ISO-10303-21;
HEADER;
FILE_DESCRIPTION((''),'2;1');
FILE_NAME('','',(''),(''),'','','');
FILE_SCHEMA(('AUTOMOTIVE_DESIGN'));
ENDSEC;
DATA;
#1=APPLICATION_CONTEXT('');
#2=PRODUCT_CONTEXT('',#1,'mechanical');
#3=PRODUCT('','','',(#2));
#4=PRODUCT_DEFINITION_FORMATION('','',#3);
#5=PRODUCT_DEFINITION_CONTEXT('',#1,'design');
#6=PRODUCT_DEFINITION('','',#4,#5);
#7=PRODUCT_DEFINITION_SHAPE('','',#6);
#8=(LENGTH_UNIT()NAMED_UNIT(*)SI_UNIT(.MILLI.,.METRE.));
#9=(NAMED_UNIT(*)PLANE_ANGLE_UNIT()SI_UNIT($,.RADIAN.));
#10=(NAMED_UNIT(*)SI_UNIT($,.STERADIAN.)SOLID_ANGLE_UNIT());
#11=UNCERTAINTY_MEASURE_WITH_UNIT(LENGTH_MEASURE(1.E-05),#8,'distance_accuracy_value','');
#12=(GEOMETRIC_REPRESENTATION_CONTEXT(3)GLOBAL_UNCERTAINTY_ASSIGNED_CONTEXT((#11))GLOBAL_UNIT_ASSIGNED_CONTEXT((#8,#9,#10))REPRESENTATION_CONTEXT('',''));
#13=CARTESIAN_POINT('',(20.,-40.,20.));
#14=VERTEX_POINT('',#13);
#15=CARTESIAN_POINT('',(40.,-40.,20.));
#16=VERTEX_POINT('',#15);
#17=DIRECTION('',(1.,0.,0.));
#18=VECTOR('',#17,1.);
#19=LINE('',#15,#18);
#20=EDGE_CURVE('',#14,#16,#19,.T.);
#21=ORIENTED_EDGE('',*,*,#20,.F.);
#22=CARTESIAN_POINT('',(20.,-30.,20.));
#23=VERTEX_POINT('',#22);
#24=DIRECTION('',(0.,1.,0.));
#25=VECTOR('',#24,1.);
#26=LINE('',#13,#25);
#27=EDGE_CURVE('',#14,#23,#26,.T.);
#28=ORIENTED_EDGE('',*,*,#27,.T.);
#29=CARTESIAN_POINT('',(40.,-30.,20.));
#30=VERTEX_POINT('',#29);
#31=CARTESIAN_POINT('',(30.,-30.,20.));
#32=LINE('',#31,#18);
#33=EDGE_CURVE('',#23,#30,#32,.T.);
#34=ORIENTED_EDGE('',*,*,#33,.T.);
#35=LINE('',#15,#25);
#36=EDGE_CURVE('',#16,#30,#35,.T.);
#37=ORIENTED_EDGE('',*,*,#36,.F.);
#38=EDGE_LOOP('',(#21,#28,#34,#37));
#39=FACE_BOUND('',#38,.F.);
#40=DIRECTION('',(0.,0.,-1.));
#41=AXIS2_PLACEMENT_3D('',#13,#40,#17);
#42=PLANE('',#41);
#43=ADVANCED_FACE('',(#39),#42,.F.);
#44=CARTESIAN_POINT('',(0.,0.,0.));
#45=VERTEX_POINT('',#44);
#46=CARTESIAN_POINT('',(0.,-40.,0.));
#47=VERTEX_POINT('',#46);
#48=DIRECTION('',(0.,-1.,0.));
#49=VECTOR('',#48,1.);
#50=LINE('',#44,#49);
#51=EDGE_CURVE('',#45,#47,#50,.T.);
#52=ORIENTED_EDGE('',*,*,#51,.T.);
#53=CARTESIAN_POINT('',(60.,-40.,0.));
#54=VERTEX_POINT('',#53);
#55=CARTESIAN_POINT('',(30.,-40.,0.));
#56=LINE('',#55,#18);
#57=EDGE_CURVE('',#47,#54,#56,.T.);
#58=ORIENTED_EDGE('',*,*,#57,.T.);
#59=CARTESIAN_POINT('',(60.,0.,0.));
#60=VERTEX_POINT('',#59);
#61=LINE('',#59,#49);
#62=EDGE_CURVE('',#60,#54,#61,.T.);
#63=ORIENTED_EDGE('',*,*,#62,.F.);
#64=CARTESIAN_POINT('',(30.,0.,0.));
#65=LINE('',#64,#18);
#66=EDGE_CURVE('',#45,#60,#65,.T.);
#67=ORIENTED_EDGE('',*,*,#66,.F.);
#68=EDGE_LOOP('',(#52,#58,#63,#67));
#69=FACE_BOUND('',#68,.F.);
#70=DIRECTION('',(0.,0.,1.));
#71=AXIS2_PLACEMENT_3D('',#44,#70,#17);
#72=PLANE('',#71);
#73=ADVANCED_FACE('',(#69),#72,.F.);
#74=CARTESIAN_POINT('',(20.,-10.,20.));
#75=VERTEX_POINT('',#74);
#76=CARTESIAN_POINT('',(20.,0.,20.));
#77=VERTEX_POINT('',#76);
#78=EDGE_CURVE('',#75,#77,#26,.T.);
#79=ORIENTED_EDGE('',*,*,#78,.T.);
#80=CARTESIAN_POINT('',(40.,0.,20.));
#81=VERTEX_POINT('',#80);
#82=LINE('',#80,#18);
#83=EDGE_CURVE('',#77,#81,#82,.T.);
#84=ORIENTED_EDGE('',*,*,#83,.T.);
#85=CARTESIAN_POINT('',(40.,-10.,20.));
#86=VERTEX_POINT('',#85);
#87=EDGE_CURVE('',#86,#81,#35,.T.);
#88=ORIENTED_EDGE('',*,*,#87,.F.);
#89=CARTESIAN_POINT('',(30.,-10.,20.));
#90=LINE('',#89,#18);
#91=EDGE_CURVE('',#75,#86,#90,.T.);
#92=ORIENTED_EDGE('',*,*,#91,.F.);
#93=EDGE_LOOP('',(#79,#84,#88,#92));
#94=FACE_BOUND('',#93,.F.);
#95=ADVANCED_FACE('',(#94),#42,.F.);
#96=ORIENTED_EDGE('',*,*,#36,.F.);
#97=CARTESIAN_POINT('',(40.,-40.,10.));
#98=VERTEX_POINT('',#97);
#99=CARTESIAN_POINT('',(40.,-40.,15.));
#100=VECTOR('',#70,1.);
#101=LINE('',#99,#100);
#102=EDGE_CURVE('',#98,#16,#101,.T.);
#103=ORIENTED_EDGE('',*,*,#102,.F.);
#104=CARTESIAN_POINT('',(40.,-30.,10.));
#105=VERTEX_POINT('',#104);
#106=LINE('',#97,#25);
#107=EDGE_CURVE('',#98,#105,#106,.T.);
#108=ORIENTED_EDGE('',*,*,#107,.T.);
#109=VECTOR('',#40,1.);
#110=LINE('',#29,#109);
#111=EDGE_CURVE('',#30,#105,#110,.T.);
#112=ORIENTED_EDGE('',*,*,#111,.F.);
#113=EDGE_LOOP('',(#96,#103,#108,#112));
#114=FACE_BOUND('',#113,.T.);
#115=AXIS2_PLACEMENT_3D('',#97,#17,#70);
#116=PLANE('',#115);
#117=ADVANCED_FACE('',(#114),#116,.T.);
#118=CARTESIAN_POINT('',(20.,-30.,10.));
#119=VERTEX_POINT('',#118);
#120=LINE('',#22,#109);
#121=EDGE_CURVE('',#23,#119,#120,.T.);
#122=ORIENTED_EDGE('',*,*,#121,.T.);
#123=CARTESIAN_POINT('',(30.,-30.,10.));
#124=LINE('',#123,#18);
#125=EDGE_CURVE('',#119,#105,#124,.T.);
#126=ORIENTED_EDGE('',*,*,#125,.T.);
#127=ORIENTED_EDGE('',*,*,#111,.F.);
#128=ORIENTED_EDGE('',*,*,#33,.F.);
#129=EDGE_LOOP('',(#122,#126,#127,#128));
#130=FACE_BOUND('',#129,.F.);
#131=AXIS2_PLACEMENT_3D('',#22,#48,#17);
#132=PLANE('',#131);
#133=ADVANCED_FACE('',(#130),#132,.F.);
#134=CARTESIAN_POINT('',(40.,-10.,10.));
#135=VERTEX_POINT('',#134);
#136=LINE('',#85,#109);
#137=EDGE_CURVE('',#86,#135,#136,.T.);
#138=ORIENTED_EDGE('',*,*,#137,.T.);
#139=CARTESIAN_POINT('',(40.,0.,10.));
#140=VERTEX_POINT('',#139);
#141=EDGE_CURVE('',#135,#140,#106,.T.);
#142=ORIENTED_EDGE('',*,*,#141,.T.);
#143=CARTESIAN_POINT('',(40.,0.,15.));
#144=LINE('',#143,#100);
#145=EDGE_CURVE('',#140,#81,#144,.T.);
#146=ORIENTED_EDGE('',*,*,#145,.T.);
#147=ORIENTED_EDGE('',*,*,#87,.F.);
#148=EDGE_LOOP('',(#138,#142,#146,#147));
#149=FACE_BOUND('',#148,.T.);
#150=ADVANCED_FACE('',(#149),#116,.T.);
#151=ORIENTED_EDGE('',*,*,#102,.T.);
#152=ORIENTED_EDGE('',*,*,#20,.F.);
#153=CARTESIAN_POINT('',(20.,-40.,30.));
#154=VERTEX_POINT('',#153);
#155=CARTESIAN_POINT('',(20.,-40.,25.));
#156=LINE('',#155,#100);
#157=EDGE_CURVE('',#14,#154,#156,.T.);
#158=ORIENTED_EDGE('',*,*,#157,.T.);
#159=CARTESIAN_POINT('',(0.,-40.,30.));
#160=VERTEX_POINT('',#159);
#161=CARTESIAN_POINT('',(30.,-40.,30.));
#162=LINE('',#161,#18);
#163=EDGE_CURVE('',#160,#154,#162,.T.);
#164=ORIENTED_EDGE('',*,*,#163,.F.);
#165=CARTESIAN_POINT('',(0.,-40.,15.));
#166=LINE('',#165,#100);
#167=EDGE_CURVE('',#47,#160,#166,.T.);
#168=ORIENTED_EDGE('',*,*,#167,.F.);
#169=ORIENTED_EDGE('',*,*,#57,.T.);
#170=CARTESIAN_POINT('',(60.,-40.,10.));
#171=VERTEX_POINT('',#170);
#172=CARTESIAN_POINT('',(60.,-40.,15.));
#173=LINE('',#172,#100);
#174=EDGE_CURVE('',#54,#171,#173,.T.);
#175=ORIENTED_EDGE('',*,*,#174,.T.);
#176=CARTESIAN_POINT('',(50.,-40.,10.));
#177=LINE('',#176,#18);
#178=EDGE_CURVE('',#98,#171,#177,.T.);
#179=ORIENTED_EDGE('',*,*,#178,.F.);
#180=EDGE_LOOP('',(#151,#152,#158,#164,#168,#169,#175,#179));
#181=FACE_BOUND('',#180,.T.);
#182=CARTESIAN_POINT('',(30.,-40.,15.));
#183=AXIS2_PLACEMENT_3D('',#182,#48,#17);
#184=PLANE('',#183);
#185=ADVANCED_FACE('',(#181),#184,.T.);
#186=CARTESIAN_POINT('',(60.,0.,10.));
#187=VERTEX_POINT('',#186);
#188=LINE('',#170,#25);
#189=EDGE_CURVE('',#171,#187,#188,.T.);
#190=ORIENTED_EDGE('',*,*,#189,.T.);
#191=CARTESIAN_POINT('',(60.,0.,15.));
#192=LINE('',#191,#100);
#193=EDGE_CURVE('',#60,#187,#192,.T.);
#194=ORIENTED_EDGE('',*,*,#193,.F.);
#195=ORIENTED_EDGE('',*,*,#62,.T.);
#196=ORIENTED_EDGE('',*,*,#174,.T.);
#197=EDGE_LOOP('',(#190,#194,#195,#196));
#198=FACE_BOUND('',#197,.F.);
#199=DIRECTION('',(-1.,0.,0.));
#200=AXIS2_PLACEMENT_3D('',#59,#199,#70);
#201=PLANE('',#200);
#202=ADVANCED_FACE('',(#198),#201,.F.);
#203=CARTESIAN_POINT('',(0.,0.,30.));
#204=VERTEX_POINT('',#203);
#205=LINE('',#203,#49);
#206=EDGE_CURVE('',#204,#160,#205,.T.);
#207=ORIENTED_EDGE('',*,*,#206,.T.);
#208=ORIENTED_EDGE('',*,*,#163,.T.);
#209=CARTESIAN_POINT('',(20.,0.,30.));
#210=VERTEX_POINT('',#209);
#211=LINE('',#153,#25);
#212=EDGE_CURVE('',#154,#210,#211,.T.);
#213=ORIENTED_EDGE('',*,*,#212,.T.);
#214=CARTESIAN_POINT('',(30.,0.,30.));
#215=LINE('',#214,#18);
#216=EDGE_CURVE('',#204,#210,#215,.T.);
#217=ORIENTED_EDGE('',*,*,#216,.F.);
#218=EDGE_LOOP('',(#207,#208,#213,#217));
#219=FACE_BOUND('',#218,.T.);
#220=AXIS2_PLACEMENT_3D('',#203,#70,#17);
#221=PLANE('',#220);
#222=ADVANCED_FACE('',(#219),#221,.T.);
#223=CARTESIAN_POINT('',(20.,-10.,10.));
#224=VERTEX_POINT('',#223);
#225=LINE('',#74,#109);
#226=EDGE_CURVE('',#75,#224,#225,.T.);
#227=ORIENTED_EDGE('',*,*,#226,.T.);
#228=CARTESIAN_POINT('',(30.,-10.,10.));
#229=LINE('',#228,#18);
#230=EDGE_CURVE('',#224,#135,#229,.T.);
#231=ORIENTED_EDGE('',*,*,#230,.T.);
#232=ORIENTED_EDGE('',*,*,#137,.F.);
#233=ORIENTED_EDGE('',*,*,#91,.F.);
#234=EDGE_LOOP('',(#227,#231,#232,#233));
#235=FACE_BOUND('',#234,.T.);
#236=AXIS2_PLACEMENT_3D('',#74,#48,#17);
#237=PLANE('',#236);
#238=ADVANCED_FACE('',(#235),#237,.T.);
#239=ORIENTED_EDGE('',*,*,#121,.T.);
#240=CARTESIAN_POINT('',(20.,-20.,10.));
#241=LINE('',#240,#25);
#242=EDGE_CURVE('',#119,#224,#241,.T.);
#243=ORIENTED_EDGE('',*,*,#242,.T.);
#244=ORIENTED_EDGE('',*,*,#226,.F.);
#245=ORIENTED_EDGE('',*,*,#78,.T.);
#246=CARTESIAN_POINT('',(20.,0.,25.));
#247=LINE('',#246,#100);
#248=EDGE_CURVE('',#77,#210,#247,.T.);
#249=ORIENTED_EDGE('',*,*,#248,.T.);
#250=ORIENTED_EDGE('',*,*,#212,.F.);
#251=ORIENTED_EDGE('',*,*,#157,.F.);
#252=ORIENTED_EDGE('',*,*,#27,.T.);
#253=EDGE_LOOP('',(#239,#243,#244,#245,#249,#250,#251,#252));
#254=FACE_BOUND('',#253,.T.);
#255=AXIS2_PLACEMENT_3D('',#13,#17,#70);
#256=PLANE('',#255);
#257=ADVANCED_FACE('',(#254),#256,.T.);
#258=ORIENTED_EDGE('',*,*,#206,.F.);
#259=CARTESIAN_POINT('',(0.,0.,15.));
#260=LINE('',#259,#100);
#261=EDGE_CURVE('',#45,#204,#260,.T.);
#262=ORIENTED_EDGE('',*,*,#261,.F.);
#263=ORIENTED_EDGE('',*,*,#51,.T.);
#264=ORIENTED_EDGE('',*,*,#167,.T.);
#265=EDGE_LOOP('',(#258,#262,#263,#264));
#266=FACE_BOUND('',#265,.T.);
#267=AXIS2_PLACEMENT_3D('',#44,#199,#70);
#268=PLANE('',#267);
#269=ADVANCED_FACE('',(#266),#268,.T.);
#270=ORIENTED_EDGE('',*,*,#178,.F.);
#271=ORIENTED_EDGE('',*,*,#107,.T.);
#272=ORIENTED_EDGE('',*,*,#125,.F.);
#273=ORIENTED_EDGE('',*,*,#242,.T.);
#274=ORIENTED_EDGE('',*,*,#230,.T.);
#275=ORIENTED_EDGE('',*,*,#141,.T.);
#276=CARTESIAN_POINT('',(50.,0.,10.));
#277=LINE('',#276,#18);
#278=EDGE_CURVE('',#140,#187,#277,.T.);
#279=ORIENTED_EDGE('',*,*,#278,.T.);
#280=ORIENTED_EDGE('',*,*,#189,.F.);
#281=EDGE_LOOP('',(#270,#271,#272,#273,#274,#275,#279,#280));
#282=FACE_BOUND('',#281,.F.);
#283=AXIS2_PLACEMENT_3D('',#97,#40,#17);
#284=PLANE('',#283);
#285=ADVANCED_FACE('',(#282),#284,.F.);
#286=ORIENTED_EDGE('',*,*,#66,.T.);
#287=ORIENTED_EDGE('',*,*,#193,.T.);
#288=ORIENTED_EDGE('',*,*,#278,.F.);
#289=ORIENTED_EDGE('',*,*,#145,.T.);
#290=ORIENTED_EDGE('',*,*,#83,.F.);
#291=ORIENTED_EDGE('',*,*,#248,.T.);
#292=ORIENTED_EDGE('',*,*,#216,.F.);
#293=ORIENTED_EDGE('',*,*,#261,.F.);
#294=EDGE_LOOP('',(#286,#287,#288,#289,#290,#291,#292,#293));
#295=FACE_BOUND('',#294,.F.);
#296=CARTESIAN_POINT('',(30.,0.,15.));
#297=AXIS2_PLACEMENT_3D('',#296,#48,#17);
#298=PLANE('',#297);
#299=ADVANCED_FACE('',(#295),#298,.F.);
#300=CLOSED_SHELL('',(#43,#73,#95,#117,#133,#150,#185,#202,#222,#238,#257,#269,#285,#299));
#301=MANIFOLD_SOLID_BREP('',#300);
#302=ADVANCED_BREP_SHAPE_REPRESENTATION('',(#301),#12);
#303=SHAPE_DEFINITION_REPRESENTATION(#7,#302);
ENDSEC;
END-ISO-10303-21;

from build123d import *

# Parameters (mm, degrees)
F0_W     = 60
F0_H     = 30
F1_DEPTH = 40
F2_W     = 40
F2_H     = 10
F3_DEPTH = 40
F4_W     = 20
F4_H     = 10
F5_DEPTH = 40
F6_W     = 20
F6_H     = 20
F7_DEPTH = 10


with BuildPart() as f1:
    # F0 (on Front) → F1 (new body)
    with BuildSketch(Plane.XZ):
        with Locations((30, 15)):
            Rectangle(F0_W, F0_H)
    extrude(amount=F1_DEPTH)

    # F2 (on face) → F3 (cut)
    with BuildSketch(Plane.XZ.offset(40)):
        with Locations((40, 25)):
            Rectangle(F2_W, F2_H)
    extrude(amount=-F3_DEPTH, mode=Mode.SUBTRACT)

    # F4 (on face) → F5 (cut)
    with BuildSketch(Plane.XZ.offset(40)):
        with Locations((50, 15)):
            Rectangle(F4_W, F4_H)
    extrude(amount=-F5_DEPTH, mode=Mode.SUBTRACT)

    # F6 (on face) → F7 (cut)
    with BuildSketch(Plane.XY.offset(20)):
        with Locations((30, -20)):
            Rectangle(F6_W, F6_H)
    extrude(amount=-F7_DEPTH, mode=Mode.SUBTRACT)


solid = f1.part
